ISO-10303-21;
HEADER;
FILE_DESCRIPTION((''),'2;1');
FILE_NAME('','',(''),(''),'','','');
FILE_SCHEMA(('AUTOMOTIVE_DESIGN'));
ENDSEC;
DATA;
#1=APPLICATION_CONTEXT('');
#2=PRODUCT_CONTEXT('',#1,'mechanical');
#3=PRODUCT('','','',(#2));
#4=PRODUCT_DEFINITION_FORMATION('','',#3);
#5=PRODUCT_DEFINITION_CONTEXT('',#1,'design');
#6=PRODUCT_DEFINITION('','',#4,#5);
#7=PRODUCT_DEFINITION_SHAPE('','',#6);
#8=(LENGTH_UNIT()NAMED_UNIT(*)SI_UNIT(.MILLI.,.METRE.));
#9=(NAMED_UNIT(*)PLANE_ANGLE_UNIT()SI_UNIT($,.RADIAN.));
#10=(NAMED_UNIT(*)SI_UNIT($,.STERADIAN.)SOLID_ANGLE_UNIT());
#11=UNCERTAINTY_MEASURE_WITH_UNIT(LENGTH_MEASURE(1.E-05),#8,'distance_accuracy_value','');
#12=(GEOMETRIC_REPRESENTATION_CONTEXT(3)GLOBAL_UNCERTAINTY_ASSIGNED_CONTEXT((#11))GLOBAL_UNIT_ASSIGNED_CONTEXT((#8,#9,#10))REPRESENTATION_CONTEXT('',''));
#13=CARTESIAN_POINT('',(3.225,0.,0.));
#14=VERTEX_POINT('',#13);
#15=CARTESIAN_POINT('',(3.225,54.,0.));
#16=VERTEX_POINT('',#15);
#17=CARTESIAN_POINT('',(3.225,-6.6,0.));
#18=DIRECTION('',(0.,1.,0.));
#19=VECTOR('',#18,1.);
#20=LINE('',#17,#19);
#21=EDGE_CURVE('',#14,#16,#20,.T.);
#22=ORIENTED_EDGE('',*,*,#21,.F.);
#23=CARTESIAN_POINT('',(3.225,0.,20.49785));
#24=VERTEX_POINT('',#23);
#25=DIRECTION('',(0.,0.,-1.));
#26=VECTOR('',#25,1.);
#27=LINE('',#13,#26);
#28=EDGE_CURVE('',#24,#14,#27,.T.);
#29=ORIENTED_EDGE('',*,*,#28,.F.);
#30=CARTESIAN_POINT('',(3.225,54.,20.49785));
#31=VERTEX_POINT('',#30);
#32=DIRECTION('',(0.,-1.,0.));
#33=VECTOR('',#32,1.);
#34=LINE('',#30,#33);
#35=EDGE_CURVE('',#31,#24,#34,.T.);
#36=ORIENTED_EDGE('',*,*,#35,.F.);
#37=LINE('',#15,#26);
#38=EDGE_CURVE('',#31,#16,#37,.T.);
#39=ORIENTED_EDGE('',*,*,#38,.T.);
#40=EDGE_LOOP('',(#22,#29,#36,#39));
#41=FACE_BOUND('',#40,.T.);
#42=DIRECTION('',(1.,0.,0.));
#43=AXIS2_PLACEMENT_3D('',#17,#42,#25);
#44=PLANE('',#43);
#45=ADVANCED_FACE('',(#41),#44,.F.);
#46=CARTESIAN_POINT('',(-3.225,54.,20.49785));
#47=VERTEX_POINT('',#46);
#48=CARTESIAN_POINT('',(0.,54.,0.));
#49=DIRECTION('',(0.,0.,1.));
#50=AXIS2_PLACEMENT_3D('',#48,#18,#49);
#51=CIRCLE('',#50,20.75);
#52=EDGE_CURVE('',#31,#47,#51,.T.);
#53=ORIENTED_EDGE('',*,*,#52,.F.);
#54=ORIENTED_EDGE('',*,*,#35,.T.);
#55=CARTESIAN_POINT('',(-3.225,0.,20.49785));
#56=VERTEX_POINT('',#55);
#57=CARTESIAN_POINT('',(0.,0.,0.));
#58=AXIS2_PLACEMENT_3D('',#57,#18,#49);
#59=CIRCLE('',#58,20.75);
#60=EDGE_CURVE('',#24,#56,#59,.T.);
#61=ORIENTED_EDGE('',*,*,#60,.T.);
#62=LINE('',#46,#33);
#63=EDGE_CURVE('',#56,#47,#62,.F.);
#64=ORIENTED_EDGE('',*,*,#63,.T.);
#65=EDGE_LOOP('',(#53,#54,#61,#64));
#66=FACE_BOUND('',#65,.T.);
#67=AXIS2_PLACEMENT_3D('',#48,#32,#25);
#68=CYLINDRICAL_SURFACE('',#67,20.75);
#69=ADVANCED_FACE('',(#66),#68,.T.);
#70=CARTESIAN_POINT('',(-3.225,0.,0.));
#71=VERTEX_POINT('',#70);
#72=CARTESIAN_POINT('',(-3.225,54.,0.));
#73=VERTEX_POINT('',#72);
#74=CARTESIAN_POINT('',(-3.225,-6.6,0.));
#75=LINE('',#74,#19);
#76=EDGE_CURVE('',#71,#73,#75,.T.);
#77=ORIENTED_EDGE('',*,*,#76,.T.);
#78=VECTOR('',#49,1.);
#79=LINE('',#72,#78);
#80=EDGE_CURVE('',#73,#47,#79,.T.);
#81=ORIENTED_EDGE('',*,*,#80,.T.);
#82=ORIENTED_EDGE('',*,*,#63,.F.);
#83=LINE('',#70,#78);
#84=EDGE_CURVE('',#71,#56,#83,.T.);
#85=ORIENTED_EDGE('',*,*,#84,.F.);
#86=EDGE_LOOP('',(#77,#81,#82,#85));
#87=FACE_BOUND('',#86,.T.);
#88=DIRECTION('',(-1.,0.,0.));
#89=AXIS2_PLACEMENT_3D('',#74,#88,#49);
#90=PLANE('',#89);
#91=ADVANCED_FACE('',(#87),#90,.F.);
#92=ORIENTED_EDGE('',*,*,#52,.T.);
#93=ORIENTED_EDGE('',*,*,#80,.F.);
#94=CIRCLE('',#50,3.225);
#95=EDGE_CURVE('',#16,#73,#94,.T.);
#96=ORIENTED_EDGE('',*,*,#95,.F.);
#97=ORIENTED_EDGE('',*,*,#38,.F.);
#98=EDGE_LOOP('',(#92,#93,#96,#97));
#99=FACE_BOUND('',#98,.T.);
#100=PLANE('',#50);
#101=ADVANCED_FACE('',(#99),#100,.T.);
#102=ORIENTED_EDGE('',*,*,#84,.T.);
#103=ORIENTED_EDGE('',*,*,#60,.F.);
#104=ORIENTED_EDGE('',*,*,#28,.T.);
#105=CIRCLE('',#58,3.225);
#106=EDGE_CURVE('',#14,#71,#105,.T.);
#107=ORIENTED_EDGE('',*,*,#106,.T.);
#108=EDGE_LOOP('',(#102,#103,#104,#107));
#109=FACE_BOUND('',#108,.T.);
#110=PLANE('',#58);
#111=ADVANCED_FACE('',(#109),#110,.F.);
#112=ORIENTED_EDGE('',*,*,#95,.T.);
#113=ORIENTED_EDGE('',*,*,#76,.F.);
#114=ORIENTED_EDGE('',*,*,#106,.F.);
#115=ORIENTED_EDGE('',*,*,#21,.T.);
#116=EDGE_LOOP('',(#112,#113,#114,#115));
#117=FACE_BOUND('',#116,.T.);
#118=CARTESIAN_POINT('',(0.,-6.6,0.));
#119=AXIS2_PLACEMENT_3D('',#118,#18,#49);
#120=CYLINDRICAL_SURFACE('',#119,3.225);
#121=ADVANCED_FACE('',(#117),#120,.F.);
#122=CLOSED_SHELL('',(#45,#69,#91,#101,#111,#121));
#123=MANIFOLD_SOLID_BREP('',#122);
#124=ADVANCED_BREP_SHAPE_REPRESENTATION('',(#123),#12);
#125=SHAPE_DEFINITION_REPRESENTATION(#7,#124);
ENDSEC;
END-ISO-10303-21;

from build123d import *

# Parameters (mm, degrees)
SKETCH1_R           = 20.75
BOSS_EXTRUDE1_DEPTH = 54
CUT_EXTRUDE1_DEPTH  = 60.6


with BuildPart() as part:
    # Sketch1 → Boss-Extrude1 (new body)
    with BuildSketch(Plane(origin=(0, 0, 0), x_dir=(1, 0, 0), z_dir=(0, 1, 0))):
        Circle(SKETCH1_R)
    extrude(amount=BOSS_EXTRUDE1_DEPTH)

    # Sketch2 → Cut-Extrude1 (cut)
    with BuildSketch(Plane(origin=(0, 54, 0), x_dir=(1, 0, 0), z_dir=(0, 1, 0))):
        with BuildLine():
            Line((-3.225, 0), (-3.225, -23.125803827))
            Line((-3.225, -23.125803827), (3.225, -23.125803827))
            Line((3.225, -23.125803827), (3.225, 0))
            ThreePointArc((3.225, 0), (0, 3.225), (-3.225, 0))
        make_face()
    extrude(amount=-CUT_EXTRUDE1_DEPTH, mode=Mode.SUBTRACT)


solid = part.part
